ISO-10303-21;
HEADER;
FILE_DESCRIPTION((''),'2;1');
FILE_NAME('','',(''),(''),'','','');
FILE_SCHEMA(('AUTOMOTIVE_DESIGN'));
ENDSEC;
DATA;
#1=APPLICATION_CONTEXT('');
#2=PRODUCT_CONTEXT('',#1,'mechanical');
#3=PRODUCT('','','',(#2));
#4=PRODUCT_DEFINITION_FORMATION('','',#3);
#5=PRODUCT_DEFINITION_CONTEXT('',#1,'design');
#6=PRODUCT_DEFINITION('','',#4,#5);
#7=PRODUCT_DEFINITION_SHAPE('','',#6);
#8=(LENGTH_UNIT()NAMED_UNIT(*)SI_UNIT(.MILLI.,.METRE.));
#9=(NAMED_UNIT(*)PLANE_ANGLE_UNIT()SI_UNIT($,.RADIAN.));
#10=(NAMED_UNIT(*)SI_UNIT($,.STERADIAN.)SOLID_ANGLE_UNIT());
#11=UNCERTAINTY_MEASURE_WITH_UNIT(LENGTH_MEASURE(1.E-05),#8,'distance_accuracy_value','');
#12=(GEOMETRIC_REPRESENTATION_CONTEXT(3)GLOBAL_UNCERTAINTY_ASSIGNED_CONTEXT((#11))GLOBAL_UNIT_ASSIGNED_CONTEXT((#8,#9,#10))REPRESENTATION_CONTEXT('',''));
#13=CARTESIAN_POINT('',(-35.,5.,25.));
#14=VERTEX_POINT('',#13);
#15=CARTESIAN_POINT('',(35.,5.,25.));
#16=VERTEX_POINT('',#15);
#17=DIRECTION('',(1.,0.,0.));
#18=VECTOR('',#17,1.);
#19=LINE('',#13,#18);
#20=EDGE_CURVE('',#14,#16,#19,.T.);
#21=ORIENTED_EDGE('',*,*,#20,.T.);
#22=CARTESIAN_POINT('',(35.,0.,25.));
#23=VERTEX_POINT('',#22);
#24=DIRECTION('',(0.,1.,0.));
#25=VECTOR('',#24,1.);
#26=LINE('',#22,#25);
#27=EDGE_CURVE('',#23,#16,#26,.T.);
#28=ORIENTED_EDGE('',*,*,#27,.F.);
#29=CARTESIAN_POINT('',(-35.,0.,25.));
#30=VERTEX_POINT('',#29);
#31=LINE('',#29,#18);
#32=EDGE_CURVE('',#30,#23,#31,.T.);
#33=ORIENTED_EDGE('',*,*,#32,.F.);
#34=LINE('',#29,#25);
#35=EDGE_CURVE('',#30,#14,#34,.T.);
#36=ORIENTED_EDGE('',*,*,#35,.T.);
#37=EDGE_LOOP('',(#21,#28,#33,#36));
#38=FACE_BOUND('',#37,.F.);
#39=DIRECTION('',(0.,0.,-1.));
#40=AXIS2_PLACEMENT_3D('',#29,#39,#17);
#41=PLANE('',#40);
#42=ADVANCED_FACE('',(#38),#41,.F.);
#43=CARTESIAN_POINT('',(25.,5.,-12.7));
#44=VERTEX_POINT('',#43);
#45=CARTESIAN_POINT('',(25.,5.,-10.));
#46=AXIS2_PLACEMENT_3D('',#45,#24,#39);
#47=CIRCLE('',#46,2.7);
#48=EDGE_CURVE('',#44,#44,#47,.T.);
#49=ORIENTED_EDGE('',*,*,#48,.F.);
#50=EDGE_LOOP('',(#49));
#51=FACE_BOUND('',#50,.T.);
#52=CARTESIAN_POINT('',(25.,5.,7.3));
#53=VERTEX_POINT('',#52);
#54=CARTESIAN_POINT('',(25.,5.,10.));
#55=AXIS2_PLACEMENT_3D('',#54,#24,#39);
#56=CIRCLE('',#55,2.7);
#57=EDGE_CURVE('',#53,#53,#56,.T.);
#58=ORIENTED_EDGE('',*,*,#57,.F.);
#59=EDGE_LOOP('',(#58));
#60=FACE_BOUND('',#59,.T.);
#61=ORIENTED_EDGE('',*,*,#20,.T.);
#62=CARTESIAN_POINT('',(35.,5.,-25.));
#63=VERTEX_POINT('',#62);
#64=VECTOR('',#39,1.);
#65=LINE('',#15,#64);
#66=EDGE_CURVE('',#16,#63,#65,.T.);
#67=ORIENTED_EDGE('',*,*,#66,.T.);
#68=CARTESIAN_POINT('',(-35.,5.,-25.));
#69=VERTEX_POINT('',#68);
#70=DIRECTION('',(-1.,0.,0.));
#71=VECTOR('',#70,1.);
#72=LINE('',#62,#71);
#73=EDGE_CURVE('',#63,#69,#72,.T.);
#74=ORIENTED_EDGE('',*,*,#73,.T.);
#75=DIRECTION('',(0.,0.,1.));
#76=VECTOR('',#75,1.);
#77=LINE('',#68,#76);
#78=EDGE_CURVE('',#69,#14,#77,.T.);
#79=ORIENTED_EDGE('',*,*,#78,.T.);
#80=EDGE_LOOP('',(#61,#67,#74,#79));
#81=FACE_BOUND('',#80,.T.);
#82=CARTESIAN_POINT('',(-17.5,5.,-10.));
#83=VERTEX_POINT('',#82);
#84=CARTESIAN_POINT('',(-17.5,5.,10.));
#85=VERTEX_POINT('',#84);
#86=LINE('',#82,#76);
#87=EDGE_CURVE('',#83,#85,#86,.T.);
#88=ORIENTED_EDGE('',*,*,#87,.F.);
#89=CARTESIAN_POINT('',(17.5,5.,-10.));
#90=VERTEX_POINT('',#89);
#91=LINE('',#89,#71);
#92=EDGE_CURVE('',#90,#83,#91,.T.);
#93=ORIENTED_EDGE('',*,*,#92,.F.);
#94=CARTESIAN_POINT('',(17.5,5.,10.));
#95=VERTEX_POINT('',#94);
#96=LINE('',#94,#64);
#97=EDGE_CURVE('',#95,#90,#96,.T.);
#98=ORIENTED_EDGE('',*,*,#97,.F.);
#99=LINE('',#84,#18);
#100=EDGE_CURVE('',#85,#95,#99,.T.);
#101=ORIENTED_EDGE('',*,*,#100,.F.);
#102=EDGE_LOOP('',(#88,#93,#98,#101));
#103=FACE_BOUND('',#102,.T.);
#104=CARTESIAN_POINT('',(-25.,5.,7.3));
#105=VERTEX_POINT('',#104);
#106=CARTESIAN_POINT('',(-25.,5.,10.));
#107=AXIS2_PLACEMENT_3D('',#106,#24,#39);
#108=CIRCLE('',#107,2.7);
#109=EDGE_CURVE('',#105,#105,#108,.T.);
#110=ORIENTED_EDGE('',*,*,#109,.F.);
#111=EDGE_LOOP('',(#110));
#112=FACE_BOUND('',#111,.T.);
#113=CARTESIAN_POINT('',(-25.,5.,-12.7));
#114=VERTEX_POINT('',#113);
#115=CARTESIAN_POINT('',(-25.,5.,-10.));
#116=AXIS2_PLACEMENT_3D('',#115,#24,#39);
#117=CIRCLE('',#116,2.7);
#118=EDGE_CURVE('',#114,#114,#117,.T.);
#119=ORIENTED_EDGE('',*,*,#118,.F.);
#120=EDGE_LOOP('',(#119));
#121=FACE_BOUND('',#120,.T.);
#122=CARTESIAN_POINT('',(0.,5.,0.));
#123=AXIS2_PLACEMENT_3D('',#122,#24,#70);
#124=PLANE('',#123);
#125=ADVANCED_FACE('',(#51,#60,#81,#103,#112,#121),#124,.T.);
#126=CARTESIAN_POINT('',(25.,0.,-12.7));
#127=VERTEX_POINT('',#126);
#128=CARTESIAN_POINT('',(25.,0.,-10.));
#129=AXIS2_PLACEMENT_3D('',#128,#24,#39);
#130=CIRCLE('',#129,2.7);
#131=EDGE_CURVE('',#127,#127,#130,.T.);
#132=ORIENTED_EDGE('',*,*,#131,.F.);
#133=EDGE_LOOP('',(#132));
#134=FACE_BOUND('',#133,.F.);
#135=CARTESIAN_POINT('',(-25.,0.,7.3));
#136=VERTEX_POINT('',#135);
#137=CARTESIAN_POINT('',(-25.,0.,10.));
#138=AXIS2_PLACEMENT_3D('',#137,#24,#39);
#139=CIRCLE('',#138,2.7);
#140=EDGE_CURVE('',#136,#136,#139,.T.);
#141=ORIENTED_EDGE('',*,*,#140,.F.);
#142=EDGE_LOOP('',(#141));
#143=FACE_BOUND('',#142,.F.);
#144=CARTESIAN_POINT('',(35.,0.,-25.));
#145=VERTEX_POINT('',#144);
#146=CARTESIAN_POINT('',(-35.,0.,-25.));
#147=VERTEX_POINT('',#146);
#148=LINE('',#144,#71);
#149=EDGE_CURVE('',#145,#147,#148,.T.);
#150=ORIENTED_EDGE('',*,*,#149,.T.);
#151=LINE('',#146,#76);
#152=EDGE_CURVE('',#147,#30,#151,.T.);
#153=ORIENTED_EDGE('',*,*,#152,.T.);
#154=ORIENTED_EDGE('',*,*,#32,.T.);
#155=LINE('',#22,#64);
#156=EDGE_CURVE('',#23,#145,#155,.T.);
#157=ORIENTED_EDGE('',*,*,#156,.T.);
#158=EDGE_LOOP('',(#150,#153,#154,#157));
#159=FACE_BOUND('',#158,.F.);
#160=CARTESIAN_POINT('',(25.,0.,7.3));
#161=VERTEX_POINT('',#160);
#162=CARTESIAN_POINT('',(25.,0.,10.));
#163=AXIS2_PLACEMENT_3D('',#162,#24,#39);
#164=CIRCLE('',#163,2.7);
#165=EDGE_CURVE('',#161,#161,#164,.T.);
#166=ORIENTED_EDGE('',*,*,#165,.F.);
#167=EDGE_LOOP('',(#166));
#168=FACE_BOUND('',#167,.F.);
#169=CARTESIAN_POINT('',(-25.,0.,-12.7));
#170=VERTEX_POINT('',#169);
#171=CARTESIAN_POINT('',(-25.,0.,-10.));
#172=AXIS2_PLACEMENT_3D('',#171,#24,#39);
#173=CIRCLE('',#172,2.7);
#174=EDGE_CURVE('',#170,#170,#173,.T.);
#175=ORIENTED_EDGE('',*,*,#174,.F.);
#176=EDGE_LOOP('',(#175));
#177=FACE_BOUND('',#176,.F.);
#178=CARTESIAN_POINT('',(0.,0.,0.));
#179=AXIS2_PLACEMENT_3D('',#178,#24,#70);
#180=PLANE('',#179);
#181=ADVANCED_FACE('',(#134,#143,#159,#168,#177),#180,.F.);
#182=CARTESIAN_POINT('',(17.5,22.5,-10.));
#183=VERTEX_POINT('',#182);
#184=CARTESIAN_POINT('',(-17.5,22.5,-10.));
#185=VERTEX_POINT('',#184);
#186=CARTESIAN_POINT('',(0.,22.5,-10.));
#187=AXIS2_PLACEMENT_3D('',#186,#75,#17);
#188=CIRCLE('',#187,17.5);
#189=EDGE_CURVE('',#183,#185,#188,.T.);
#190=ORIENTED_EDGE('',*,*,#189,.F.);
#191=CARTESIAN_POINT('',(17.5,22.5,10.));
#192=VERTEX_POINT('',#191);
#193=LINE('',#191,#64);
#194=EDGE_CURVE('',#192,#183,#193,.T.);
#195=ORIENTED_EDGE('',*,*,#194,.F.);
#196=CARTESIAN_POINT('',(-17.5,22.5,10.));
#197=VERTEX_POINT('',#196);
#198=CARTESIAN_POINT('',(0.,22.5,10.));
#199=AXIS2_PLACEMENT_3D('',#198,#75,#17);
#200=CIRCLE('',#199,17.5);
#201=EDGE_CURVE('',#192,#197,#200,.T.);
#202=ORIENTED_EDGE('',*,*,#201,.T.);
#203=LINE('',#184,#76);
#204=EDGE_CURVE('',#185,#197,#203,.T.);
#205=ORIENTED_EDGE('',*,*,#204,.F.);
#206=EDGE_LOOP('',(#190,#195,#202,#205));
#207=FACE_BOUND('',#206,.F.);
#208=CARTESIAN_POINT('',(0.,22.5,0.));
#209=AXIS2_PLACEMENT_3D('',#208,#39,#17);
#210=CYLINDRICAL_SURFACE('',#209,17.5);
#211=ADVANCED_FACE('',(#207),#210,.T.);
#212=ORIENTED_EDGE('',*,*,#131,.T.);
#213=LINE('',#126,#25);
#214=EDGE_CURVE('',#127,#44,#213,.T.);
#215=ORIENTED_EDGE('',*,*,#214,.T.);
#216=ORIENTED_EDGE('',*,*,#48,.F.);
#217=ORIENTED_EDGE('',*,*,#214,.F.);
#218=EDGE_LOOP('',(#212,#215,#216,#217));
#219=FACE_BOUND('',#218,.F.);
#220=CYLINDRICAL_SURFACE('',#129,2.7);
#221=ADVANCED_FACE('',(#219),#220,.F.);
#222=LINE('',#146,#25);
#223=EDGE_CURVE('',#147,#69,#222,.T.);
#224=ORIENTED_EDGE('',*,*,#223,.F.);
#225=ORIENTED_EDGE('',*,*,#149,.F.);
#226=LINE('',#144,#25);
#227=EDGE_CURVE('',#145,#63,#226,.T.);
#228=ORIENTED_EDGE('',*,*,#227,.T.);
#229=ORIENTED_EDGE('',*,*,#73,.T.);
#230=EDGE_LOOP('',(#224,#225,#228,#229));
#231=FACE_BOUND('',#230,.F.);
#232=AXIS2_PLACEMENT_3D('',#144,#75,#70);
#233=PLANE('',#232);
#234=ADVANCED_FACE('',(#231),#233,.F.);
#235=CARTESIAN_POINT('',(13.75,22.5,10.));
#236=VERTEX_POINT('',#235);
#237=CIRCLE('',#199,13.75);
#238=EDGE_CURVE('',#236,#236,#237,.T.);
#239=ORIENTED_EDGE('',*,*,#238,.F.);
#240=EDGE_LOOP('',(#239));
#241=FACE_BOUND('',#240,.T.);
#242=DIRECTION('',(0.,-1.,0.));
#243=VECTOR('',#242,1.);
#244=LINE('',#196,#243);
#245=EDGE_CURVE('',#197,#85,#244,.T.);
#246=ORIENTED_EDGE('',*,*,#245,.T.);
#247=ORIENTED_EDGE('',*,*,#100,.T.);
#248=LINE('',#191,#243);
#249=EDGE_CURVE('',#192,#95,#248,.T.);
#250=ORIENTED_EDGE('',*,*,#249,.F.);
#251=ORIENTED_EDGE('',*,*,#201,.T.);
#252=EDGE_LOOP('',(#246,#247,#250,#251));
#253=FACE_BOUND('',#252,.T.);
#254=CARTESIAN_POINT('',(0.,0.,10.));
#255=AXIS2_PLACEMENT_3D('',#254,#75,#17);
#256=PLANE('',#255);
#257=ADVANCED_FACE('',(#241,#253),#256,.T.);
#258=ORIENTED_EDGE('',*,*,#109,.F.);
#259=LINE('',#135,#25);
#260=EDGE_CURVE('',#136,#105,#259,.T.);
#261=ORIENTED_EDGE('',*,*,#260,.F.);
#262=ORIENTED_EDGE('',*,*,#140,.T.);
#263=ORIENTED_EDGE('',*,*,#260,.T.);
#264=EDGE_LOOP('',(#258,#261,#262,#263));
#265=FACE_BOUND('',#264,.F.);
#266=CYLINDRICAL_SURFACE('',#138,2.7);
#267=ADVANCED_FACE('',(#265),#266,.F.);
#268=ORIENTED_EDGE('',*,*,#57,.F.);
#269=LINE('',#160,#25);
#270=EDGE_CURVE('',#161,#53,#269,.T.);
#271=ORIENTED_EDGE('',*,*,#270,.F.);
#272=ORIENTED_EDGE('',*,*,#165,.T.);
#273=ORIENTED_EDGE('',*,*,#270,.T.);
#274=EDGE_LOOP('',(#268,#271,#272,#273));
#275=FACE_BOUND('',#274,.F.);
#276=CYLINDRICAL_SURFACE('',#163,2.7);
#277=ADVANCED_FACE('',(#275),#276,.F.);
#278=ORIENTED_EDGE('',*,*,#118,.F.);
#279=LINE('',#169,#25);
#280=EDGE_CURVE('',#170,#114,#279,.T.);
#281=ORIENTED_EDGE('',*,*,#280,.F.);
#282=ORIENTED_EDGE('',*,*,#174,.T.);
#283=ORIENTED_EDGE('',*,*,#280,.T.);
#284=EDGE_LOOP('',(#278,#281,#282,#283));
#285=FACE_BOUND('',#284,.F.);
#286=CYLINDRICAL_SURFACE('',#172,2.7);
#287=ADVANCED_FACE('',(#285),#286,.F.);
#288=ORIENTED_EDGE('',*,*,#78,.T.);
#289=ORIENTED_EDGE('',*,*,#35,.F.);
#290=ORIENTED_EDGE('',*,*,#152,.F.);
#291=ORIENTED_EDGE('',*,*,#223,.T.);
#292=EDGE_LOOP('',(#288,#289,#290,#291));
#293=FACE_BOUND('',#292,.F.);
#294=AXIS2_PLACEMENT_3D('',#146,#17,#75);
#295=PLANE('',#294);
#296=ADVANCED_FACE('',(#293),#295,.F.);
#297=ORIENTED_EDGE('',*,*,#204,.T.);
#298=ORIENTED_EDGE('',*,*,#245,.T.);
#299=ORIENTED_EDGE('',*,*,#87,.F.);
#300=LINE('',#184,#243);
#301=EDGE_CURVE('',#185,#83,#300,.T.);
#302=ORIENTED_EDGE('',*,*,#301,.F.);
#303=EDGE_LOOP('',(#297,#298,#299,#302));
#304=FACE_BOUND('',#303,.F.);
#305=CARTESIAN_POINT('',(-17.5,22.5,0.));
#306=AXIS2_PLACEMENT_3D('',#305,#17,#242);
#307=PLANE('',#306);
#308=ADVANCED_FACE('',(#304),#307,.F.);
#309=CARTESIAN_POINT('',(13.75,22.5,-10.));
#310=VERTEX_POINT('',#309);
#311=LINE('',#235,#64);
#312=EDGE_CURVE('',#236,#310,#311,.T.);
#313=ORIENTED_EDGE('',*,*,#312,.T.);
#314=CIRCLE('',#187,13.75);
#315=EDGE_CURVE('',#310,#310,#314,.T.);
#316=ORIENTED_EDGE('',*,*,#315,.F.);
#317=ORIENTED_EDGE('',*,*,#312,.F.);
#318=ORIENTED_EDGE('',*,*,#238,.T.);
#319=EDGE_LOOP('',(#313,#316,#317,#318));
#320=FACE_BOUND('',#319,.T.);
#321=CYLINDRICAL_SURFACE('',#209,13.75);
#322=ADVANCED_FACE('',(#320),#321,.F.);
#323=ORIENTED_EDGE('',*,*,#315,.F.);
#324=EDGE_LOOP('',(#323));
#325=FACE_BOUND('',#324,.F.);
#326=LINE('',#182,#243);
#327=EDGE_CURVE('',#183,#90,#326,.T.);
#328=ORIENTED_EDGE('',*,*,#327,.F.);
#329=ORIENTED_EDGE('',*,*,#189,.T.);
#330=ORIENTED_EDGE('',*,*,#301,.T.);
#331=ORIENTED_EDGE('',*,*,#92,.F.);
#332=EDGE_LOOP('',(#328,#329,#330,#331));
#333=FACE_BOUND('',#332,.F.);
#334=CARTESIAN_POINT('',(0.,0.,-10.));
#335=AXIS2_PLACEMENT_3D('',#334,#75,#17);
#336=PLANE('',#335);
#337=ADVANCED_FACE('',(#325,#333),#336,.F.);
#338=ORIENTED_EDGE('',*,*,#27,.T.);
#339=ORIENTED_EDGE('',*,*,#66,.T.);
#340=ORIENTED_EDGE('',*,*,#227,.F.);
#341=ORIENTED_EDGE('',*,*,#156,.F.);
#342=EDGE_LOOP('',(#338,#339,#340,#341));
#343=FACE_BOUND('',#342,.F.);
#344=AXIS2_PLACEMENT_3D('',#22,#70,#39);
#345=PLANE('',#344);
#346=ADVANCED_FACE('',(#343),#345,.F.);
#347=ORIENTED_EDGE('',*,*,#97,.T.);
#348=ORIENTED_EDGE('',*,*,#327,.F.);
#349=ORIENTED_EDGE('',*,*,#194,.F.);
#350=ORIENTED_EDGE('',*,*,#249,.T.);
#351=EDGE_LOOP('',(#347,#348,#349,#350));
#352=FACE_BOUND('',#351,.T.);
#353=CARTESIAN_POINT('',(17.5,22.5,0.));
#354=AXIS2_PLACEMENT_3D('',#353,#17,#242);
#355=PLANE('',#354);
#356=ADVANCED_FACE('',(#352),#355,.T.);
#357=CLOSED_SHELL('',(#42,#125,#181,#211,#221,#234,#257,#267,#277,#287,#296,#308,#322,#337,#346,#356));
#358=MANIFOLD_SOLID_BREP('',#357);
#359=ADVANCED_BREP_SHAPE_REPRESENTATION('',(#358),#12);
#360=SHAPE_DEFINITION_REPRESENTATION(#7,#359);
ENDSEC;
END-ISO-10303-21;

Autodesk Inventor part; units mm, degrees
ref_plane "YZ Plane" through (0, 0, 0) normal (1, 0, 0) x (0, 1, 0)
ref_plane "XZ Plane" through (0, 0, 0) normal (0, 1, 0) x (-1, 0, 0)
ref_plane "XY Plane" through (0, 0, 0) normal (0, 0, 1) x (1, 0, 0)
sketch "Sketch1" plane through (0, 0, 0) normal (0, 1, 0) x (-1, 0, 0)
  line L0 (-35, -25) -> (35, -25)
  line L1 (35, -25) -> (35, 25)
  line L2 (35, 25) -> (-35, 25)
  line L3 (-35, 25) -> (-35, -25)
  line L4 (-35, -25) -> (35, 25) construction
  line L5 (35, -25) -> (-35, 25) construction
  line L6 (25, -10) -> (25, 10)
  line L7 (-25, -10) -> (-25, 10)
  point P0 (0, 0)
  point P1 (25, 0)
  point P2 (0, 0)
  point P3 (-25, 0)
  dimension "d0" = 70
  dimension "d1" = 50
  dimension "d17" = 20
  dimension "d18" = 20
  dimension "d19" = 10
  dimension "d20" = 10
extrude "Extrusion1" add sketch "Sketch1" along normal blind 5
sketch "Sketch3" plane through (0, 0, 0) normal (0, 0, 1) x (1, 0, 0)
  circle A0 centre (0, 22.5) radius 17.5
  line L0 (-35, 5) -> (35, 5) projected
  circle A1 centre (0, 22.5) radius 13.75
  line L1 (17.5, 22.5) -> (17.5, 5)
  line L2 (-17.5, 22.5) -> (-17.5, 5)
  point P0 (0, 0)
  point P1 (0, 5)
  point P2 (0, 5)
  dimension "d13" = 35
  dimension "d14" = 27.5
extrude "Extrusion2" add sketch "Sketch3" along normal mid plane 20
hole "Hole2" at (-25, 0, -10) at (-25, 0, 10) at (25, 0, -10) at (25, 0, 10) direction (0, 1, 0) diameter 5.4 end through all
properties part number "base_motor"
